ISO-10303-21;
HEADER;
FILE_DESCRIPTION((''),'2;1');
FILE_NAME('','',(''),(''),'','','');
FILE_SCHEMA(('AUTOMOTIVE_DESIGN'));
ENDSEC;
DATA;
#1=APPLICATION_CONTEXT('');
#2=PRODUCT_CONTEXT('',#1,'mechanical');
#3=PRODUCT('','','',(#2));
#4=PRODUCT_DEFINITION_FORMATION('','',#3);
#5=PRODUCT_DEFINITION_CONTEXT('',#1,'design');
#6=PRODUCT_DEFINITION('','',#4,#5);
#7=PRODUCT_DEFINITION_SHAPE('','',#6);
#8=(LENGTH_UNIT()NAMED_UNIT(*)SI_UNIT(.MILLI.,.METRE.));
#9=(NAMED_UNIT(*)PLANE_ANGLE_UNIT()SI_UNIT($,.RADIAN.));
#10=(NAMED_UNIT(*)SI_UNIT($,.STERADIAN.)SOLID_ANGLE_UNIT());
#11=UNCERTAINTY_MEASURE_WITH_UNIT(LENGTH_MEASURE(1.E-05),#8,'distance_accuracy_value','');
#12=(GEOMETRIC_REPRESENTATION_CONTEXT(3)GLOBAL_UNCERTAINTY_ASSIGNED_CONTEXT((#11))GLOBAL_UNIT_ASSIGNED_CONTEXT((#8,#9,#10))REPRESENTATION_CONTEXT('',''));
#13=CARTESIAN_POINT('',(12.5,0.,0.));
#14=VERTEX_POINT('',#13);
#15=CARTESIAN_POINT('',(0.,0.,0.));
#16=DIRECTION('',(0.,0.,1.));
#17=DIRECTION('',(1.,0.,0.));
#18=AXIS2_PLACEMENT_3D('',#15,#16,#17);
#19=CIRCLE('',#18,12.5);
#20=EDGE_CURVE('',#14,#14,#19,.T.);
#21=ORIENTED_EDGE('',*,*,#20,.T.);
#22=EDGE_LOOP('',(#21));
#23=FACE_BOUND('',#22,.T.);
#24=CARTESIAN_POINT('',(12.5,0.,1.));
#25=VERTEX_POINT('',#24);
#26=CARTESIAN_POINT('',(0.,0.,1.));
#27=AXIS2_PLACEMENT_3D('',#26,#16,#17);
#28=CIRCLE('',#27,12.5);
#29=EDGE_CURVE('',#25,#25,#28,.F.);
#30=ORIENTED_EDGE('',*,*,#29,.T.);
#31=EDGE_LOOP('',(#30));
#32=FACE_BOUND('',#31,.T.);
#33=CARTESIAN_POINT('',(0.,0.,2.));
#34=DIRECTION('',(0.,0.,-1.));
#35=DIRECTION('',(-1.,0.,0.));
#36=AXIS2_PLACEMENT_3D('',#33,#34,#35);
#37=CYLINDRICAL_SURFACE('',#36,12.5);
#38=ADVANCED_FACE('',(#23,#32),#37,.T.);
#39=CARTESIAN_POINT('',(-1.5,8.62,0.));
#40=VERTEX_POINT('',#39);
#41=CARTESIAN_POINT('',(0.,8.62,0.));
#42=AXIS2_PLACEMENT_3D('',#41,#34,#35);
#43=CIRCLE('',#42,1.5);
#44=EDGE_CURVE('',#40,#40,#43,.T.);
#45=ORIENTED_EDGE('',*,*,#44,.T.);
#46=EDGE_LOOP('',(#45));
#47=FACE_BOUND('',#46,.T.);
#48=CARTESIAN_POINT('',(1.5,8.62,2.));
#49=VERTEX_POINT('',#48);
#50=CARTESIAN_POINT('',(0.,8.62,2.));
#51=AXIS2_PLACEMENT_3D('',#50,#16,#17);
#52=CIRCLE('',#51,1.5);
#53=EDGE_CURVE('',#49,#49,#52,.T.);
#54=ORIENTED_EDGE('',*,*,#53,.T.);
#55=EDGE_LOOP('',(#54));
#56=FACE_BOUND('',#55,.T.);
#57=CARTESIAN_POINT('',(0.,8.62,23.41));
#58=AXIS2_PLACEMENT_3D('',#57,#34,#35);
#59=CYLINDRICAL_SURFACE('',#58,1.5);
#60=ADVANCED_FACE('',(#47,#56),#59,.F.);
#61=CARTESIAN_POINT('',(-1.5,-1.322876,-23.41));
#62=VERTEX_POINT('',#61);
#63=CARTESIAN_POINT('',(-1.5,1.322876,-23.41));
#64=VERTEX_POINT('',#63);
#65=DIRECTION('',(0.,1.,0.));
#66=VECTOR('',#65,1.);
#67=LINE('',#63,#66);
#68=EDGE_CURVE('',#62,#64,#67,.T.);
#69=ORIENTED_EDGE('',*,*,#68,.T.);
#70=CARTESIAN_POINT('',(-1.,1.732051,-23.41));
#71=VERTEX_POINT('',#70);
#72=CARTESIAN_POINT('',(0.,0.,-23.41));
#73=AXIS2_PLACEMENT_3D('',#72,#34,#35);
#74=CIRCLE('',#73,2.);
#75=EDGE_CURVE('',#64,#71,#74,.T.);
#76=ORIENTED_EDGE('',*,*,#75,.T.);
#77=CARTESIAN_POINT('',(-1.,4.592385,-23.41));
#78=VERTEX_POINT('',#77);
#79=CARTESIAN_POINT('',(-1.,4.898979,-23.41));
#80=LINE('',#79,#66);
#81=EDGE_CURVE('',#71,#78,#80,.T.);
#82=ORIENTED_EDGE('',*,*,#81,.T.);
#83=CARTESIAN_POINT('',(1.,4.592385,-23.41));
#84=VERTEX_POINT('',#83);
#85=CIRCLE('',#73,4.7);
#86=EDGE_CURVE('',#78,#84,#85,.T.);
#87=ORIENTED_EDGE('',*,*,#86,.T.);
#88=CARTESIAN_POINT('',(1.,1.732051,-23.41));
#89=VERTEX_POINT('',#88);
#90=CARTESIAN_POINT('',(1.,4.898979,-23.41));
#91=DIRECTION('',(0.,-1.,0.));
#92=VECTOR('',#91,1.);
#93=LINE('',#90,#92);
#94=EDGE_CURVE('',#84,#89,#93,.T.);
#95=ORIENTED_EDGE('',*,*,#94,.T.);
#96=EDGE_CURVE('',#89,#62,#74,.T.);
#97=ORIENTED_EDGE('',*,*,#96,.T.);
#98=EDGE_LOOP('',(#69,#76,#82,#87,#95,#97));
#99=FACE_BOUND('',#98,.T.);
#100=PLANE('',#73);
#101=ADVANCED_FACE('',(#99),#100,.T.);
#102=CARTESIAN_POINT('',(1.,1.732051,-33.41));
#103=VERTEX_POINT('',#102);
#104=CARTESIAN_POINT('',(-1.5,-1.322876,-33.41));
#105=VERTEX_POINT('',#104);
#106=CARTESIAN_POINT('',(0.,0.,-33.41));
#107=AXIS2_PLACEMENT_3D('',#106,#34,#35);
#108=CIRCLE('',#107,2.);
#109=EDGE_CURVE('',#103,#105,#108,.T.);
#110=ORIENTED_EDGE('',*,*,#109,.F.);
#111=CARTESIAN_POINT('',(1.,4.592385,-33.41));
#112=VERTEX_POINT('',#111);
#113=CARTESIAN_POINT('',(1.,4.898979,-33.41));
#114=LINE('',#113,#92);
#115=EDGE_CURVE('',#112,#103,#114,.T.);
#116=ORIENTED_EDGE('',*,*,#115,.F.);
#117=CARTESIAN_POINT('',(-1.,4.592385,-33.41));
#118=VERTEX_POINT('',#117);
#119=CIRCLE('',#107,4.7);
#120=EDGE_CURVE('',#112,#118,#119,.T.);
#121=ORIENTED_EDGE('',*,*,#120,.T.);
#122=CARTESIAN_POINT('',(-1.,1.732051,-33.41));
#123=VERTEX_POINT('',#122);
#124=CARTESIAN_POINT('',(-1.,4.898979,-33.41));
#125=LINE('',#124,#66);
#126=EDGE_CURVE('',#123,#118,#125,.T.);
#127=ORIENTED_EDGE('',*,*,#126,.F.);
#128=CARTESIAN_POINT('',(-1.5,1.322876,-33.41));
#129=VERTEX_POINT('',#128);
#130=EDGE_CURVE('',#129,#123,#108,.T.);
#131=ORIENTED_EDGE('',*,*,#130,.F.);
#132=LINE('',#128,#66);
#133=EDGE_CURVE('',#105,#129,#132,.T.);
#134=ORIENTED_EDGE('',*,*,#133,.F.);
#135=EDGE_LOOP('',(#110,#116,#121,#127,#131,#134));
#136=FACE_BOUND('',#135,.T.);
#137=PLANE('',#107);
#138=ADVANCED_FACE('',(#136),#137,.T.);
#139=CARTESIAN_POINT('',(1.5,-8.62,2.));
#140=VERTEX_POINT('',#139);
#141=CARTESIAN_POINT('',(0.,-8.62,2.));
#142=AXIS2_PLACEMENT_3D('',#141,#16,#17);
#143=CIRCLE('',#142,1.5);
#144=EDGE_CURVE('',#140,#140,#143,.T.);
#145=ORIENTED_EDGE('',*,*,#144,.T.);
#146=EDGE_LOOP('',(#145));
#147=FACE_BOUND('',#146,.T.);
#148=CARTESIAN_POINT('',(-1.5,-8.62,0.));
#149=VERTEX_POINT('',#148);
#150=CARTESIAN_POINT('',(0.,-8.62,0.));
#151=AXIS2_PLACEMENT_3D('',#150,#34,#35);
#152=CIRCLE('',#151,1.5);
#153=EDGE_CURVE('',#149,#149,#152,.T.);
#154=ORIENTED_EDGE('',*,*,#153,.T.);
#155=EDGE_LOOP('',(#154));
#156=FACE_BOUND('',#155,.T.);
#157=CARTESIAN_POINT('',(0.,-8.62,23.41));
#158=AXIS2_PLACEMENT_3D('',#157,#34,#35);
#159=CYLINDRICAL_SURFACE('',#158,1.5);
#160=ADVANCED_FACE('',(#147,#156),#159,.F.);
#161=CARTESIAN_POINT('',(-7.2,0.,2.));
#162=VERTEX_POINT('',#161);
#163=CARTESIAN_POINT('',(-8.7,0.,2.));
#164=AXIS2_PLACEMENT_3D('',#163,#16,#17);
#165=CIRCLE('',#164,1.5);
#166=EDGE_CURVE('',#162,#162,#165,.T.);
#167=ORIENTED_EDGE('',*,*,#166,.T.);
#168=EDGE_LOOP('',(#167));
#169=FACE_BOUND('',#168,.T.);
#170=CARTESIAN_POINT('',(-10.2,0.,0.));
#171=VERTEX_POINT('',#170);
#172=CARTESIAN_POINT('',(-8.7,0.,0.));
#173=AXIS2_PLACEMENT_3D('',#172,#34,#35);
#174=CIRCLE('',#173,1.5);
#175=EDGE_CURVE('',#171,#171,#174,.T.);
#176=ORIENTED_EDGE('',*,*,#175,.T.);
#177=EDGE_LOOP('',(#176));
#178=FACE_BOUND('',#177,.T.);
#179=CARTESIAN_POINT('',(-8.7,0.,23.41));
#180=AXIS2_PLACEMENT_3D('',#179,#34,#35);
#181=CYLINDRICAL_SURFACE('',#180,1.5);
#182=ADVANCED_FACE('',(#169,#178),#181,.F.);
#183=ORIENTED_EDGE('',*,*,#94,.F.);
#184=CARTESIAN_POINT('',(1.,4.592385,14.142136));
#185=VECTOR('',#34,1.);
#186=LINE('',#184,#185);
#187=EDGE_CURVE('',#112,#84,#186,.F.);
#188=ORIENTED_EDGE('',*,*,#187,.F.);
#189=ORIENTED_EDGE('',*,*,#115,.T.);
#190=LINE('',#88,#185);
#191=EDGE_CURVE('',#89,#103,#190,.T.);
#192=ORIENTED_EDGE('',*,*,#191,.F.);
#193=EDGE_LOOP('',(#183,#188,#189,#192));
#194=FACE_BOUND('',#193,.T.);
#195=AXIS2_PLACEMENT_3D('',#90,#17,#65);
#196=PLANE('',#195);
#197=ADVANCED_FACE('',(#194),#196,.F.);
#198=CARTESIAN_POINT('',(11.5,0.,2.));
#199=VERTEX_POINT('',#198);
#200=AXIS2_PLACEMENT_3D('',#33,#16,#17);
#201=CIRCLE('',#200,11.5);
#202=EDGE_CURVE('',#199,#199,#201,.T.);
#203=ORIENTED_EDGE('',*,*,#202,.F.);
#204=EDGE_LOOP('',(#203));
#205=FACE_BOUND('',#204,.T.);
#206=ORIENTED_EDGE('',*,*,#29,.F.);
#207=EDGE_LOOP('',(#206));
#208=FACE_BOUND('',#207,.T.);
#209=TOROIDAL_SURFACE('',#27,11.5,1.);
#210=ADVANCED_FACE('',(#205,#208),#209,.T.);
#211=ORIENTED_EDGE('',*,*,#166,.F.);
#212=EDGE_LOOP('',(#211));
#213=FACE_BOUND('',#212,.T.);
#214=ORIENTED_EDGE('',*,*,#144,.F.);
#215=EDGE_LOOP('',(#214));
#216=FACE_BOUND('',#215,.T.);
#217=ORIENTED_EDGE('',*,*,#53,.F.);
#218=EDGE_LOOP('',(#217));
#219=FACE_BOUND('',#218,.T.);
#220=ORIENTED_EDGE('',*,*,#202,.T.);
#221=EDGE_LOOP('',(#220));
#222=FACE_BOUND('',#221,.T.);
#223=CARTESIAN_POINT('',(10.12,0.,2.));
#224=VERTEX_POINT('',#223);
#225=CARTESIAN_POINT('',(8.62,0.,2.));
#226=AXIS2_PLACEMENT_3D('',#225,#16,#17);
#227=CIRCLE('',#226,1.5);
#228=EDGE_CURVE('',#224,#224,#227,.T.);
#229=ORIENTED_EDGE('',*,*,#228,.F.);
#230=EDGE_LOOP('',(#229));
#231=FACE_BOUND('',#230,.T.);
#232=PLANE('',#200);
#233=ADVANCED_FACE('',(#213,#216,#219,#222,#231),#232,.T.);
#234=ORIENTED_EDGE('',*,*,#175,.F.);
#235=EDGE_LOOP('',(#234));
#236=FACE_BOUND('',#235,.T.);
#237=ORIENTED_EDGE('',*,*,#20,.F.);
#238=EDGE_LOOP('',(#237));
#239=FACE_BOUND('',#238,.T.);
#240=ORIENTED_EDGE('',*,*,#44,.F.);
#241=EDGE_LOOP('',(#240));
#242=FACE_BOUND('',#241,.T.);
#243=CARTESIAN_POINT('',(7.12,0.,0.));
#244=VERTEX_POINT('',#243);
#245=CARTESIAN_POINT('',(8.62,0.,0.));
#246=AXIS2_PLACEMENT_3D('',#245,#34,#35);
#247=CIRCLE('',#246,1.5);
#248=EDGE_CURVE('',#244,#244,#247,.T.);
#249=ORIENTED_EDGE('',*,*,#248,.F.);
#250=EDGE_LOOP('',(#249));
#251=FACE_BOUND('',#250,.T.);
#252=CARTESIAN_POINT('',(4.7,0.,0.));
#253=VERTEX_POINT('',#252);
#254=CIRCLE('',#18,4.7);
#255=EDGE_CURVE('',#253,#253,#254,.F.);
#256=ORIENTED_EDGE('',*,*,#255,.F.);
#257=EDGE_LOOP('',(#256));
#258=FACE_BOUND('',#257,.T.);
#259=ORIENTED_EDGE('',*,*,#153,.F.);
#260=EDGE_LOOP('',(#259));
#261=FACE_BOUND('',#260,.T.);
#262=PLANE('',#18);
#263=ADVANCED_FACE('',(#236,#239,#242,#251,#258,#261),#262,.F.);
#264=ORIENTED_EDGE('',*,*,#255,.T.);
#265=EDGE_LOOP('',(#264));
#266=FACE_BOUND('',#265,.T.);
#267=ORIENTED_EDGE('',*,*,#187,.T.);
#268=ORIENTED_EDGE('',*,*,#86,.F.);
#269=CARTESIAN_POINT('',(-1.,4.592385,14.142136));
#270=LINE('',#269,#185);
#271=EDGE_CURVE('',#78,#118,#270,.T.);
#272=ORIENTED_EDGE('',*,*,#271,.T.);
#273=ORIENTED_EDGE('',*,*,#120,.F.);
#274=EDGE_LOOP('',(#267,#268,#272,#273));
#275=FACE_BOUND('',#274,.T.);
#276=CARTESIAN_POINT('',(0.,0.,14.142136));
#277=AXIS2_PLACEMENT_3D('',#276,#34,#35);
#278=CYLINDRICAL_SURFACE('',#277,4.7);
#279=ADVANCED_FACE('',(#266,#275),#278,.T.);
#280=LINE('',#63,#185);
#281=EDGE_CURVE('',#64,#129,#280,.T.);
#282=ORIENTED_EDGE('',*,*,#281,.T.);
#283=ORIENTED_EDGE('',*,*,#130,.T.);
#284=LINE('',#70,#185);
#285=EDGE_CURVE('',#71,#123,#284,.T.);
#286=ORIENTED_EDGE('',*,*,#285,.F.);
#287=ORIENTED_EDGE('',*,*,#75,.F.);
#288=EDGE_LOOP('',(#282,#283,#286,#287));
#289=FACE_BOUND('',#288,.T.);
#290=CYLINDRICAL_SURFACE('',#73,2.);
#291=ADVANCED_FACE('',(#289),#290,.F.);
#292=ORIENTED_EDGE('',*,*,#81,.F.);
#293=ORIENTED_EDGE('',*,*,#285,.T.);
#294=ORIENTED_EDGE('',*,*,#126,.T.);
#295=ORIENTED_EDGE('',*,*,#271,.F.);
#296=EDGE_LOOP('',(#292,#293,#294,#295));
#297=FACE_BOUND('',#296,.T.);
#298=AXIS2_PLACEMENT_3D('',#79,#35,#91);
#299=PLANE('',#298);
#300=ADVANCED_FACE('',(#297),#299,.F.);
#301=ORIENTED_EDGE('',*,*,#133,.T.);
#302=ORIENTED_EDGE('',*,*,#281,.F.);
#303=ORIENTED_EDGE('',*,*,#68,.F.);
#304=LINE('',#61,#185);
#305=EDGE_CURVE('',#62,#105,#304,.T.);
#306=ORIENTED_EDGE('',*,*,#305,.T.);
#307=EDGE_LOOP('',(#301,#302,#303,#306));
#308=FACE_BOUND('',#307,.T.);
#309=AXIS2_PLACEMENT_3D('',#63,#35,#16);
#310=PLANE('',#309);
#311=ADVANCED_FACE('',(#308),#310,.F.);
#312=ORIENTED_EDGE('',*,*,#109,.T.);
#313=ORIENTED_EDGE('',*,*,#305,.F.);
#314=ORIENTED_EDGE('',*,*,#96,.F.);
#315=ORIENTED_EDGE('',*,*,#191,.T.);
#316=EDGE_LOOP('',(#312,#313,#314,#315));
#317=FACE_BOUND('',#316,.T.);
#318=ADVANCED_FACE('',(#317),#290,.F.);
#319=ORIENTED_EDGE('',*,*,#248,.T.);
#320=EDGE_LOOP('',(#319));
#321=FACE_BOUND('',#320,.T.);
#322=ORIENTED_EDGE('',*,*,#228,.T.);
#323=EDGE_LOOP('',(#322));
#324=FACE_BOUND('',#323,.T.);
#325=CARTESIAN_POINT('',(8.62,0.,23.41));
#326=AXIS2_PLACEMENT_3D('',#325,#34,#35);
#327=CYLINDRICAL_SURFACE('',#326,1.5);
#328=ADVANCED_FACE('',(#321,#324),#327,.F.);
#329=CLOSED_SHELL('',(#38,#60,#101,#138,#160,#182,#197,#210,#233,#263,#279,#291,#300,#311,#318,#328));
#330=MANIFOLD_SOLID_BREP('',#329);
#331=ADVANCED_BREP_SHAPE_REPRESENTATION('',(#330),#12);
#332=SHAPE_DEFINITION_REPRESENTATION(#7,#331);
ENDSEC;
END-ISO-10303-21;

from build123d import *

# Parameters (mm, degrees)
CROQUIS1_R              = 12.5
SALIENTE_EXTRUIR1_DEPTH = 2
REDONDEO2_R             = 1
CROQUIS2_R              = 5
SALIENTE_EXTRUIR2_DEPTH = 33.41
CROQUIS3_R              = 1.5
CORTAR_EXTRUIR1_DEPTH   = 23.41
CORTAR_EXTRUIR2_START   = -10
CORTAR_EXTRUIR2_DEPTH   = 10
CORTAR_EXTRUIR7_START   = -33.41
CROQUIS9_R              = 5
CROQUIS9_R_2            = 4.7
CORTAR_EXTRUIR7_DEPTH   = 33.41


with BuildPart() as part:
    # Croquis1 → Saliente-Extruir1 (new body)
    with BuildSketch(Plane.XY):
        Circle(CROQUIS1_R)
    extrude(amount=SALIENTE_EXTRUIR1_DEPTH)

    # Redondeo2
    redondeo2_edges = [part.edges().sort_by_distance(p)[0] for p in [
        (-12.5, 0, 2),
    ]]
    fillet(redondeo2_edges, radius=REDONDEO2_R)

    # Croquis2 → Saliente-Extruir2 (add)
    with BuildSketch(Plane(origin=(0, 0, 0), x_dir=(-1, 0, 0), z_dir=(0, 0, -1))):
        Circle(CROQUIS2_R)
    extrude(amount=SALIENTE_EXTRUIR2_DEPTH)

    # Croquis3 → Cortar-Extruir1 (cut)
    with BuildSketch(Plane(origin=(0, 0, 0), x_dir=(-1, 0, 0), z_dir=(0, 0, -1))):
        with Locations((0, 8.62)):
            Circle(CROQUIS3_R)
        with Locations((-8.62, 0)):
            Circle(CROQUIS3_R)
        with Locations((8.7, 0)):
            Circle(CROQUIS3_R)
        with Locations((0, -8.62)):
            Circle(CROQUIS3_R)
    extrude(amount=-CORTAR_EXTRUIR1_DEPTH, mode=Mode.SUBTRACT)

    # Croquis4 → Cortar-Extruir2 (cut)
    with BuildSketch(Plane(origin=(0, 0, -33.41), x_dir=(-1, 0, 0), z_dir=(0, 0, -1)).offset(CORTAR_EXTRUIR2_START)):
        with BuildLine():
            Line((-1, 4.898979486), (-1, 1.732050808))
            ThreePointArc((-1, 1.732050808), (-1.547786782, -1.266631784), (1.5, -1.322875656))
            Line((1.5, -1.322875656), (1.5, 1.322875656))
            ThreePointArc((1.5, 1.322875656), (1.266631784, 1.547786782), (1, 1.732050808))
            Line((1, 1.732050808), (1, 4.898979486))
            ThreePointArc((1, 4.898979486), (0, 5), (-1, 4.898979486))
        make_face()
    extrude(amount=CORTAR_EXTRUIR2_DEPTH, mode=Mode.SUBTRACT)

    # Croquis9 → Cortar-Extruir7 (cut)
    with BuildSketch(Plane(origin=(0, 0, -33.41), x_dir=(-1, 0, 0), z_dir=(0, 0, -1)).offset(CORTAR_EXTRUIR7_START)):
        Circle(CROQUIS9_R)
        with Locations(Location((0, 0, 0), (0, 0, 77.715506144))):
            Circle(CROQUIS9_R_2, mode=Mode.SUBTRACT)
    extrude(amount=CORTAR_EXTRUIR7_DEPTH, mode=Mode.SUBTRACT)


solid = part.part
